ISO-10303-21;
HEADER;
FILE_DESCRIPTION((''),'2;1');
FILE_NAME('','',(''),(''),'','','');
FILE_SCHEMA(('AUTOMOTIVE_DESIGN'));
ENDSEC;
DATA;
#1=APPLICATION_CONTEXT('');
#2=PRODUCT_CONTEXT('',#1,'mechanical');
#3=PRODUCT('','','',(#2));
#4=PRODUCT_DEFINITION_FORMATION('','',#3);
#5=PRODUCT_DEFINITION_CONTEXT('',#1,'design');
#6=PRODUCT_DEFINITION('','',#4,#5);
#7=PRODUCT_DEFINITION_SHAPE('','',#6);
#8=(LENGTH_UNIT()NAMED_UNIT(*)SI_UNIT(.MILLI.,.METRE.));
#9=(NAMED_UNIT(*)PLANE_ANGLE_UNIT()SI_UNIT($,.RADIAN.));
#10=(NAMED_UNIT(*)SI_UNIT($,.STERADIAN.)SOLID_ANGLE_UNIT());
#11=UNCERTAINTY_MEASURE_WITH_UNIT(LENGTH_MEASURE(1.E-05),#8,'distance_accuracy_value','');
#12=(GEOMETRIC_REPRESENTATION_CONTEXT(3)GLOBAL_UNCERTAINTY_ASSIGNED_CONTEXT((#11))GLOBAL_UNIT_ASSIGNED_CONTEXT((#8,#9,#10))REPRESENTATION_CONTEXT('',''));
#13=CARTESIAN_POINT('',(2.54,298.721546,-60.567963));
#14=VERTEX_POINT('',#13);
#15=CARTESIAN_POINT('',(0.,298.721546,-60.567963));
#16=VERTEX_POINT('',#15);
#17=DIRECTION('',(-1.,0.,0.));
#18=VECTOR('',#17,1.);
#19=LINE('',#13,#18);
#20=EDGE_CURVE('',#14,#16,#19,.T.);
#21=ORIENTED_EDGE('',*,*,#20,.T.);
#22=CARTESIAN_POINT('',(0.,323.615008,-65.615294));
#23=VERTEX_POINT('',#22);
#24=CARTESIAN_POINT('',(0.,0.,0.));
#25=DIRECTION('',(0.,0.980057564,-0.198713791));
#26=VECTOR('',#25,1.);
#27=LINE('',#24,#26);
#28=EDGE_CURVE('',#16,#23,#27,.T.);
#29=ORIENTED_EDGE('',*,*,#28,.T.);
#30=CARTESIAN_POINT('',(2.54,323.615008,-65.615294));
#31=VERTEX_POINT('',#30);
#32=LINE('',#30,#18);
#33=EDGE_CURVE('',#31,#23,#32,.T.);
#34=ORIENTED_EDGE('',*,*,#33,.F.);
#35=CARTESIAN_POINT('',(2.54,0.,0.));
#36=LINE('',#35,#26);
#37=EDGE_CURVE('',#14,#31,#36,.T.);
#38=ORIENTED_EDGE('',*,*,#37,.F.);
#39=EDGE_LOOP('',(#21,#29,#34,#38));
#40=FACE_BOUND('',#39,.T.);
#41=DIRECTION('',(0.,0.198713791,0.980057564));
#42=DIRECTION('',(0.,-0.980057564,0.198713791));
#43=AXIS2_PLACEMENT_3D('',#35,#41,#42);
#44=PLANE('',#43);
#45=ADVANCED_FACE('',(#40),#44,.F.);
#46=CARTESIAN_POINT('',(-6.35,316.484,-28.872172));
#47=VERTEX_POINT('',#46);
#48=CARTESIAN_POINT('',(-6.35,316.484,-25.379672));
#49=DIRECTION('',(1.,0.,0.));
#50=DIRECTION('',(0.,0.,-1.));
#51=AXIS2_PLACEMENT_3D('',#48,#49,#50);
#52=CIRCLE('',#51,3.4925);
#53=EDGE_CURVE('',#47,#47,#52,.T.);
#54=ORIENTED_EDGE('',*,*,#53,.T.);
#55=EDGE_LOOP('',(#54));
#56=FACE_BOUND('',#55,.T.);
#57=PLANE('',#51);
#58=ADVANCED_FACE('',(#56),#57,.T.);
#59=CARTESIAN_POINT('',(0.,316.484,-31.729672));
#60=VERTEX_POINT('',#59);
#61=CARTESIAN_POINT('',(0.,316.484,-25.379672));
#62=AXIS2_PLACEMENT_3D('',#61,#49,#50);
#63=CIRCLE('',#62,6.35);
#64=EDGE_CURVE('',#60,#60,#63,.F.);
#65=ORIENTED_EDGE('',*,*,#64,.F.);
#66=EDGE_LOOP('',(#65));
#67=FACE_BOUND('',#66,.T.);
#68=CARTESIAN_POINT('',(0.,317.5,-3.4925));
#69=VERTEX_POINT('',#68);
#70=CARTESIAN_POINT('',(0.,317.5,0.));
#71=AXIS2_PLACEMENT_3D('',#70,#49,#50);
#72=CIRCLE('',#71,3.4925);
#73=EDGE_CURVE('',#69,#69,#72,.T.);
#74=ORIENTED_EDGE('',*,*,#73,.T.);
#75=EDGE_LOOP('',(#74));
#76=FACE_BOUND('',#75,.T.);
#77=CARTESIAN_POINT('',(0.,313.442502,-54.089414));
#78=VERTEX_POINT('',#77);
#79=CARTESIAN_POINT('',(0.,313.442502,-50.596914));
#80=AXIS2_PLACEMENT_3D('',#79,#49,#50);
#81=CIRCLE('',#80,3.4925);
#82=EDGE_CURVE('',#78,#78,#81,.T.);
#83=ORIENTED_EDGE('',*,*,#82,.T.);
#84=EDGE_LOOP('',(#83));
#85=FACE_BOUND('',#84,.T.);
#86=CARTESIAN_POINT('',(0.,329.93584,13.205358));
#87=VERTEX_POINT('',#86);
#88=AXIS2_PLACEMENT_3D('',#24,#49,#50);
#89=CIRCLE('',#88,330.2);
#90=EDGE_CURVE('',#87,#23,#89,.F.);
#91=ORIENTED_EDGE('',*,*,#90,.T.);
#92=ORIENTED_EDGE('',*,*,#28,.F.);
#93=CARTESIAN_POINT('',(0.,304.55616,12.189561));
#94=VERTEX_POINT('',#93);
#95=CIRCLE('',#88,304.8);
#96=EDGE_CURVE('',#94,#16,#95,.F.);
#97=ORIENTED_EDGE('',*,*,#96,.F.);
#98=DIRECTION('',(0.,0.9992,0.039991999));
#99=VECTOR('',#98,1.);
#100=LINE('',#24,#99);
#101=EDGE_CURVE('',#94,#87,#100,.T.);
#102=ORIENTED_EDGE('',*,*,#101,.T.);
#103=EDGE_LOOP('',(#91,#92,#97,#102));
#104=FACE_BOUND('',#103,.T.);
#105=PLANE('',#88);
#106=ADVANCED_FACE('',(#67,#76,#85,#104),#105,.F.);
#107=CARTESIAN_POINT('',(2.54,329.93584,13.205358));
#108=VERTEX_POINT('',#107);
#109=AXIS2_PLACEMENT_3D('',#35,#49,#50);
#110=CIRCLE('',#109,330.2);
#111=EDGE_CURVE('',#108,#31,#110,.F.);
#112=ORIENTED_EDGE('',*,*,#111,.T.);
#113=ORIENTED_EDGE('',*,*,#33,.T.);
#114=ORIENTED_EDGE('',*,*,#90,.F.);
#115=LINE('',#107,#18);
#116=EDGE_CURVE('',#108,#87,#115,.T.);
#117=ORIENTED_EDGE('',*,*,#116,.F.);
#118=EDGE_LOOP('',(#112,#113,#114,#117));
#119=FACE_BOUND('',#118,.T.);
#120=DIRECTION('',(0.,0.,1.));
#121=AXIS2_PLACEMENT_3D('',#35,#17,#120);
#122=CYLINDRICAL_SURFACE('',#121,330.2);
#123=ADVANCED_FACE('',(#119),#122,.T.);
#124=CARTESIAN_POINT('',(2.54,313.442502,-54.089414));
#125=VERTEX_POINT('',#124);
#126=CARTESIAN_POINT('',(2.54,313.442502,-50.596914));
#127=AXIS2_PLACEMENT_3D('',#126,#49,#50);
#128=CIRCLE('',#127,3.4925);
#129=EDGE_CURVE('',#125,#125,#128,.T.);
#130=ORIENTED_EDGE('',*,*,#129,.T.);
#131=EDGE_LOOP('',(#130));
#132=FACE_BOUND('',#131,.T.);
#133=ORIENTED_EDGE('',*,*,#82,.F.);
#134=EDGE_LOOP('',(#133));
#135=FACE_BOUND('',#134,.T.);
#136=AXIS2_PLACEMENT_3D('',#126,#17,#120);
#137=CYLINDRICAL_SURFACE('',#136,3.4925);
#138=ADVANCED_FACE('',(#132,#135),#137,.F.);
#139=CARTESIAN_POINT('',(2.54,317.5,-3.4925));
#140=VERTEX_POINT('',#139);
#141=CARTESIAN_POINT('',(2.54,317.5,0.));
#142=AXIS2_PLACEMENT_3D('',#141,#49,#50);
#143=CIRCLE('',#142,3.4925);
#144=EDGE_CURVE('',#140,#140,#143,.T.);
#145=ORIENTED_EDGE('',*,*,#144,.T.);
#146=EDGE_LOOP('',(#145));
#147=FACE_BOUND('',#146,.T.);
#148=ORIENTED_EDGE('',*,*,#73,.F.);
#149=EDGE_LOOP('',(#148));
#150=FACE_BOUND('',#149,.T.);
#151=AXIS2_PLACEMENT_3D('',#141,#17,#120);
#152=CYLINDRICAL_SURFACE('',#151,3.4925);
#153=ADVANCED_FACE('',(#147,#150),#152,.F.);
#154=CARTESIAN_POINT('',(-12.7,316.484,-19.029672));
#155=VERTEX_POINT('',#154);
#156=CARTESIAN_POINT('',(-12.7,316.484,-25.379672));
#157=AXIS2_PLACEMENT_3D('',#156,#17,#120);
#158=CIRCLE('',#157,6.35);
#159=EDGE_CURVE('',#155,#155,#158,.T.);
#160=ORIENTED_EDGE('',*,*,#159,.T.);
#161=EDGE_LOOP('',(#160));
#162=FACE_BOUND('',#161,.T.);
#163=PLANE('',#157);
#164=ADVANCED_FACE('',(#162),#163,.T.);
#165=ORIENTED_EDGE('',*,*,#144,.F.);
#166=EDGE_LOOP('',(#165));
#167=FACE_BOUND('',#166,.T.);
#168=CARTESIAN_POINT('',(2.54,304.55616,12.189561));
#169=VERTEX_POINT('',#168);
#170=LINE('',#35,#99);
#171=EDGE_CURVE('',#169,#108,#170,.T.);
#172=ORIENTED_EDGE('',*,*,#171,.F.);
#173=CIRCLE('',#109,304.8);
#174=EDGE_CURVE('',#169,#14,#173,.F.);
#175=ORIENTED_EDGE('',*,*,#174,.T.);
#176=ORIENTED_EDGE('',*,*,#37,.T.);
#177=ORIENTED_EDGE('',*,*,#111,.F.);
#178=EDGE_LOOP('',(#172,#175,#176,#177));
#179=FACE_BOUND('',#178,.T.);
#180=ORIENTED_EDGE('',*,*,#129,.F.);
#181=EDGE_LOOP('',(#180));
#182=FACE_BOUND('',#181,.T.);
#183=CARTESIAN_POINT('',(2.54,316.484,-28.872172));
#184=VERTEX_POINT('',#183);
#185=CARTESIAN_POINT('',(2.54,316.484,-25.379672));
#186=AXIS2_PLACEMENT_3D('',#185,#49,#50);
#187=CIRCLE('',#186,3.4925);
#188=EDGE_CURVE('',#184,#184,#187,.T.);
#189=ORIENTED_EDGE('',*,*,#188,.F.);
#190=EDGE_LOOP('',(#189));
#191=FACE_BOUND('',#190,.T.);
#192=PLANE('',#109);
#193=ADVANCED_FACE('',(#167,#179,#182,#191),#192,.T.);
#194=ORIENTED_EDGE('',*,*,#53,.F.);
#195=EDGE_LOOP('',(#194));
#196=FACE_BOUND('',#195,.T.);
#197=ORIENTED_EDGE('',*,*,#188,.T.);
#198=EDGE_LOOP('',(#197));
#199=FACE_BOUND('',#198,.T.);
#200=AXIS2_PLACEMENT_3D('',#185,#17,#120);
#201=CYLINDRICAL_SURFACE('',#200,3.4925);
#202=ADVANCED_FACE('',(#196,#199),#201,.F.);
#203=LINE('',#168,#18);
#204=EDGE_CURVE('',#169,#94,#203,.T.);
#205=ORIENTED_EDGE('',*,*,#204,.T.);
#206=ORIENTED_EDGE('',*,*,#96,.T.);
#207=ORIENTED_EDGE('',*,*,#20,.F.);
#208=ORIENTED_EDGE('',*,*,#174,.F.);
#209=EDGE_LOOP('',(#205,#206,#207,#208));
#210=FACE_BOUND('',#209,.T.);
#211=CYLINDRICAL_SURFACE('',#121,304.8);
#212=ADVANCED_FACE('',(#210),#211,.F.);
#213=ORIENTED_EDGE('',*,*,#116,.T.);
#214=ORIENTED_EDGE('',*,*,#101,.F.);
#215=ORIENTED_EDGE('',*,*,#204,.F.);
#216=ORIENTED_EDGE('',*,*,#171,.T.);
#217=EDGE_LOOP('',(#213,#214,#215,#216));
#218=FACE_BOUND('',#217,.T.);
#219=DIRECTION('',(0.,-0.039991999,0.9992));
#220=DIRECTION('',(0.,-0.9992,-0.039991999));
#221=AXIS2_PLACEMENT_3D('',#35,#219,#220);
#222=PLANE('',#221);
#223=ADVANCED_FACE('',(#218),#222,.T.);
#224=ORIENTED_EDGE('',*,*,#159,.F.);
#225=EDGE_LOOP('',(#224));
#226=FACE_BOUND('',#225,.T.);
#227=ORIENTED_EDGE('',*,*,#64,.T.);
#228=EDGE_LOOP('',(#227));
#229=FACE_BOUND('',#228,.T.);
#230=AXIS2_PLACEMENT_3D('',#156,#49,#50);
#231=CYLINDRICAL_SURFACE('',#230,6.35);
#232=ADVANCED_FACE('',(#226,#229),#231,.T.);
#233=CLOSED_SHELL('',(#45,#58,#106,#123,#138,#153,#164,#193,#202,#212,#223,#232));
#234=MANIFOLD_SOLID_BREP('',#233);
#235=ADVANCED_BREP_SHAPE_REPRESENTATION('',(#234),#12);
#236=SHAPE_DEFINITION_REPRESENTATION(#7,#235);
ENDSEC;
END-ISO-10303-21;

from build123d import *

# Parameters (mm, degrees)
SKETCH1_R           = 3.4925
BOSS_EXTRUDE1_DEPTH = 2.54
SKETCH2_R           = 6.35
BOSS_EXTRUDE2_DEPTH = 12.7
SKETCH4_R           = 3.4925
CUT_EXTRUDE1_DEPTH  = 6.35


with BuildPart() as part:
    # Sketch1 → Boss-Extrude1 (new body)
    with BuildSketch(Plane(origin=(0, 0, 0), x_dir=(0, 0, -1), z_dir=(1, 0, 0))):
        with BuildLine():
            Line((-12.189561356, 304.55616), (-13.205358136, 329.93584))
            ThreePointArc((-13.205358136, 329.93584), (26.39485874, 329.14336), (65.615293749, 323.615007727))
            Line((65.615293749, 323.615007727), (60.567963461, 298.721545594))
            ThreePointArc((60.567963461, 298.721545594), (24.364484991, 303.82464), (-12.189561356, 304.55616))
        make_face()
        with Locations((0, 317.5)):
            Circle(SKETCH1_R, mode=Mode.SUBTRACT)
        with Locations((25.379671865, 316.484)):
            Circle(SKETCH1_R, mode=Mode.SUBTRACT)
        with Locations((50.596913831, 313.4425024)):
            Circle(SKETCH1_R, mode=Mode.SUBTRACT)
    extrude(amount=BOSS_EXTRUDE1_DEPTH)

    # Sketch2 → Boss-Extrude2 (add)
    with BuildSketch(Plane.ZY):
        with Locations((-25.379671865, 316.484)):
            Circle(SKETCH2_R)
    extrude(amount=BOSS_EXTRUDE2_DEPTH)

    # Sketch4 → Cut-Extrude1 (cut)
    with BuildSketch(Plane(origin=(0, 0, 0), x_dir=(0, 0, -1), z_dir=(1, 0, 0))):
        with Locations((25.379671865, 316.484)):
            Circle(SKETCH4_R)
    extrude(amount=-CUT_EXTRUDE1_DEPTH, mode=Mode.SUBTRACT)


solid = part.part
